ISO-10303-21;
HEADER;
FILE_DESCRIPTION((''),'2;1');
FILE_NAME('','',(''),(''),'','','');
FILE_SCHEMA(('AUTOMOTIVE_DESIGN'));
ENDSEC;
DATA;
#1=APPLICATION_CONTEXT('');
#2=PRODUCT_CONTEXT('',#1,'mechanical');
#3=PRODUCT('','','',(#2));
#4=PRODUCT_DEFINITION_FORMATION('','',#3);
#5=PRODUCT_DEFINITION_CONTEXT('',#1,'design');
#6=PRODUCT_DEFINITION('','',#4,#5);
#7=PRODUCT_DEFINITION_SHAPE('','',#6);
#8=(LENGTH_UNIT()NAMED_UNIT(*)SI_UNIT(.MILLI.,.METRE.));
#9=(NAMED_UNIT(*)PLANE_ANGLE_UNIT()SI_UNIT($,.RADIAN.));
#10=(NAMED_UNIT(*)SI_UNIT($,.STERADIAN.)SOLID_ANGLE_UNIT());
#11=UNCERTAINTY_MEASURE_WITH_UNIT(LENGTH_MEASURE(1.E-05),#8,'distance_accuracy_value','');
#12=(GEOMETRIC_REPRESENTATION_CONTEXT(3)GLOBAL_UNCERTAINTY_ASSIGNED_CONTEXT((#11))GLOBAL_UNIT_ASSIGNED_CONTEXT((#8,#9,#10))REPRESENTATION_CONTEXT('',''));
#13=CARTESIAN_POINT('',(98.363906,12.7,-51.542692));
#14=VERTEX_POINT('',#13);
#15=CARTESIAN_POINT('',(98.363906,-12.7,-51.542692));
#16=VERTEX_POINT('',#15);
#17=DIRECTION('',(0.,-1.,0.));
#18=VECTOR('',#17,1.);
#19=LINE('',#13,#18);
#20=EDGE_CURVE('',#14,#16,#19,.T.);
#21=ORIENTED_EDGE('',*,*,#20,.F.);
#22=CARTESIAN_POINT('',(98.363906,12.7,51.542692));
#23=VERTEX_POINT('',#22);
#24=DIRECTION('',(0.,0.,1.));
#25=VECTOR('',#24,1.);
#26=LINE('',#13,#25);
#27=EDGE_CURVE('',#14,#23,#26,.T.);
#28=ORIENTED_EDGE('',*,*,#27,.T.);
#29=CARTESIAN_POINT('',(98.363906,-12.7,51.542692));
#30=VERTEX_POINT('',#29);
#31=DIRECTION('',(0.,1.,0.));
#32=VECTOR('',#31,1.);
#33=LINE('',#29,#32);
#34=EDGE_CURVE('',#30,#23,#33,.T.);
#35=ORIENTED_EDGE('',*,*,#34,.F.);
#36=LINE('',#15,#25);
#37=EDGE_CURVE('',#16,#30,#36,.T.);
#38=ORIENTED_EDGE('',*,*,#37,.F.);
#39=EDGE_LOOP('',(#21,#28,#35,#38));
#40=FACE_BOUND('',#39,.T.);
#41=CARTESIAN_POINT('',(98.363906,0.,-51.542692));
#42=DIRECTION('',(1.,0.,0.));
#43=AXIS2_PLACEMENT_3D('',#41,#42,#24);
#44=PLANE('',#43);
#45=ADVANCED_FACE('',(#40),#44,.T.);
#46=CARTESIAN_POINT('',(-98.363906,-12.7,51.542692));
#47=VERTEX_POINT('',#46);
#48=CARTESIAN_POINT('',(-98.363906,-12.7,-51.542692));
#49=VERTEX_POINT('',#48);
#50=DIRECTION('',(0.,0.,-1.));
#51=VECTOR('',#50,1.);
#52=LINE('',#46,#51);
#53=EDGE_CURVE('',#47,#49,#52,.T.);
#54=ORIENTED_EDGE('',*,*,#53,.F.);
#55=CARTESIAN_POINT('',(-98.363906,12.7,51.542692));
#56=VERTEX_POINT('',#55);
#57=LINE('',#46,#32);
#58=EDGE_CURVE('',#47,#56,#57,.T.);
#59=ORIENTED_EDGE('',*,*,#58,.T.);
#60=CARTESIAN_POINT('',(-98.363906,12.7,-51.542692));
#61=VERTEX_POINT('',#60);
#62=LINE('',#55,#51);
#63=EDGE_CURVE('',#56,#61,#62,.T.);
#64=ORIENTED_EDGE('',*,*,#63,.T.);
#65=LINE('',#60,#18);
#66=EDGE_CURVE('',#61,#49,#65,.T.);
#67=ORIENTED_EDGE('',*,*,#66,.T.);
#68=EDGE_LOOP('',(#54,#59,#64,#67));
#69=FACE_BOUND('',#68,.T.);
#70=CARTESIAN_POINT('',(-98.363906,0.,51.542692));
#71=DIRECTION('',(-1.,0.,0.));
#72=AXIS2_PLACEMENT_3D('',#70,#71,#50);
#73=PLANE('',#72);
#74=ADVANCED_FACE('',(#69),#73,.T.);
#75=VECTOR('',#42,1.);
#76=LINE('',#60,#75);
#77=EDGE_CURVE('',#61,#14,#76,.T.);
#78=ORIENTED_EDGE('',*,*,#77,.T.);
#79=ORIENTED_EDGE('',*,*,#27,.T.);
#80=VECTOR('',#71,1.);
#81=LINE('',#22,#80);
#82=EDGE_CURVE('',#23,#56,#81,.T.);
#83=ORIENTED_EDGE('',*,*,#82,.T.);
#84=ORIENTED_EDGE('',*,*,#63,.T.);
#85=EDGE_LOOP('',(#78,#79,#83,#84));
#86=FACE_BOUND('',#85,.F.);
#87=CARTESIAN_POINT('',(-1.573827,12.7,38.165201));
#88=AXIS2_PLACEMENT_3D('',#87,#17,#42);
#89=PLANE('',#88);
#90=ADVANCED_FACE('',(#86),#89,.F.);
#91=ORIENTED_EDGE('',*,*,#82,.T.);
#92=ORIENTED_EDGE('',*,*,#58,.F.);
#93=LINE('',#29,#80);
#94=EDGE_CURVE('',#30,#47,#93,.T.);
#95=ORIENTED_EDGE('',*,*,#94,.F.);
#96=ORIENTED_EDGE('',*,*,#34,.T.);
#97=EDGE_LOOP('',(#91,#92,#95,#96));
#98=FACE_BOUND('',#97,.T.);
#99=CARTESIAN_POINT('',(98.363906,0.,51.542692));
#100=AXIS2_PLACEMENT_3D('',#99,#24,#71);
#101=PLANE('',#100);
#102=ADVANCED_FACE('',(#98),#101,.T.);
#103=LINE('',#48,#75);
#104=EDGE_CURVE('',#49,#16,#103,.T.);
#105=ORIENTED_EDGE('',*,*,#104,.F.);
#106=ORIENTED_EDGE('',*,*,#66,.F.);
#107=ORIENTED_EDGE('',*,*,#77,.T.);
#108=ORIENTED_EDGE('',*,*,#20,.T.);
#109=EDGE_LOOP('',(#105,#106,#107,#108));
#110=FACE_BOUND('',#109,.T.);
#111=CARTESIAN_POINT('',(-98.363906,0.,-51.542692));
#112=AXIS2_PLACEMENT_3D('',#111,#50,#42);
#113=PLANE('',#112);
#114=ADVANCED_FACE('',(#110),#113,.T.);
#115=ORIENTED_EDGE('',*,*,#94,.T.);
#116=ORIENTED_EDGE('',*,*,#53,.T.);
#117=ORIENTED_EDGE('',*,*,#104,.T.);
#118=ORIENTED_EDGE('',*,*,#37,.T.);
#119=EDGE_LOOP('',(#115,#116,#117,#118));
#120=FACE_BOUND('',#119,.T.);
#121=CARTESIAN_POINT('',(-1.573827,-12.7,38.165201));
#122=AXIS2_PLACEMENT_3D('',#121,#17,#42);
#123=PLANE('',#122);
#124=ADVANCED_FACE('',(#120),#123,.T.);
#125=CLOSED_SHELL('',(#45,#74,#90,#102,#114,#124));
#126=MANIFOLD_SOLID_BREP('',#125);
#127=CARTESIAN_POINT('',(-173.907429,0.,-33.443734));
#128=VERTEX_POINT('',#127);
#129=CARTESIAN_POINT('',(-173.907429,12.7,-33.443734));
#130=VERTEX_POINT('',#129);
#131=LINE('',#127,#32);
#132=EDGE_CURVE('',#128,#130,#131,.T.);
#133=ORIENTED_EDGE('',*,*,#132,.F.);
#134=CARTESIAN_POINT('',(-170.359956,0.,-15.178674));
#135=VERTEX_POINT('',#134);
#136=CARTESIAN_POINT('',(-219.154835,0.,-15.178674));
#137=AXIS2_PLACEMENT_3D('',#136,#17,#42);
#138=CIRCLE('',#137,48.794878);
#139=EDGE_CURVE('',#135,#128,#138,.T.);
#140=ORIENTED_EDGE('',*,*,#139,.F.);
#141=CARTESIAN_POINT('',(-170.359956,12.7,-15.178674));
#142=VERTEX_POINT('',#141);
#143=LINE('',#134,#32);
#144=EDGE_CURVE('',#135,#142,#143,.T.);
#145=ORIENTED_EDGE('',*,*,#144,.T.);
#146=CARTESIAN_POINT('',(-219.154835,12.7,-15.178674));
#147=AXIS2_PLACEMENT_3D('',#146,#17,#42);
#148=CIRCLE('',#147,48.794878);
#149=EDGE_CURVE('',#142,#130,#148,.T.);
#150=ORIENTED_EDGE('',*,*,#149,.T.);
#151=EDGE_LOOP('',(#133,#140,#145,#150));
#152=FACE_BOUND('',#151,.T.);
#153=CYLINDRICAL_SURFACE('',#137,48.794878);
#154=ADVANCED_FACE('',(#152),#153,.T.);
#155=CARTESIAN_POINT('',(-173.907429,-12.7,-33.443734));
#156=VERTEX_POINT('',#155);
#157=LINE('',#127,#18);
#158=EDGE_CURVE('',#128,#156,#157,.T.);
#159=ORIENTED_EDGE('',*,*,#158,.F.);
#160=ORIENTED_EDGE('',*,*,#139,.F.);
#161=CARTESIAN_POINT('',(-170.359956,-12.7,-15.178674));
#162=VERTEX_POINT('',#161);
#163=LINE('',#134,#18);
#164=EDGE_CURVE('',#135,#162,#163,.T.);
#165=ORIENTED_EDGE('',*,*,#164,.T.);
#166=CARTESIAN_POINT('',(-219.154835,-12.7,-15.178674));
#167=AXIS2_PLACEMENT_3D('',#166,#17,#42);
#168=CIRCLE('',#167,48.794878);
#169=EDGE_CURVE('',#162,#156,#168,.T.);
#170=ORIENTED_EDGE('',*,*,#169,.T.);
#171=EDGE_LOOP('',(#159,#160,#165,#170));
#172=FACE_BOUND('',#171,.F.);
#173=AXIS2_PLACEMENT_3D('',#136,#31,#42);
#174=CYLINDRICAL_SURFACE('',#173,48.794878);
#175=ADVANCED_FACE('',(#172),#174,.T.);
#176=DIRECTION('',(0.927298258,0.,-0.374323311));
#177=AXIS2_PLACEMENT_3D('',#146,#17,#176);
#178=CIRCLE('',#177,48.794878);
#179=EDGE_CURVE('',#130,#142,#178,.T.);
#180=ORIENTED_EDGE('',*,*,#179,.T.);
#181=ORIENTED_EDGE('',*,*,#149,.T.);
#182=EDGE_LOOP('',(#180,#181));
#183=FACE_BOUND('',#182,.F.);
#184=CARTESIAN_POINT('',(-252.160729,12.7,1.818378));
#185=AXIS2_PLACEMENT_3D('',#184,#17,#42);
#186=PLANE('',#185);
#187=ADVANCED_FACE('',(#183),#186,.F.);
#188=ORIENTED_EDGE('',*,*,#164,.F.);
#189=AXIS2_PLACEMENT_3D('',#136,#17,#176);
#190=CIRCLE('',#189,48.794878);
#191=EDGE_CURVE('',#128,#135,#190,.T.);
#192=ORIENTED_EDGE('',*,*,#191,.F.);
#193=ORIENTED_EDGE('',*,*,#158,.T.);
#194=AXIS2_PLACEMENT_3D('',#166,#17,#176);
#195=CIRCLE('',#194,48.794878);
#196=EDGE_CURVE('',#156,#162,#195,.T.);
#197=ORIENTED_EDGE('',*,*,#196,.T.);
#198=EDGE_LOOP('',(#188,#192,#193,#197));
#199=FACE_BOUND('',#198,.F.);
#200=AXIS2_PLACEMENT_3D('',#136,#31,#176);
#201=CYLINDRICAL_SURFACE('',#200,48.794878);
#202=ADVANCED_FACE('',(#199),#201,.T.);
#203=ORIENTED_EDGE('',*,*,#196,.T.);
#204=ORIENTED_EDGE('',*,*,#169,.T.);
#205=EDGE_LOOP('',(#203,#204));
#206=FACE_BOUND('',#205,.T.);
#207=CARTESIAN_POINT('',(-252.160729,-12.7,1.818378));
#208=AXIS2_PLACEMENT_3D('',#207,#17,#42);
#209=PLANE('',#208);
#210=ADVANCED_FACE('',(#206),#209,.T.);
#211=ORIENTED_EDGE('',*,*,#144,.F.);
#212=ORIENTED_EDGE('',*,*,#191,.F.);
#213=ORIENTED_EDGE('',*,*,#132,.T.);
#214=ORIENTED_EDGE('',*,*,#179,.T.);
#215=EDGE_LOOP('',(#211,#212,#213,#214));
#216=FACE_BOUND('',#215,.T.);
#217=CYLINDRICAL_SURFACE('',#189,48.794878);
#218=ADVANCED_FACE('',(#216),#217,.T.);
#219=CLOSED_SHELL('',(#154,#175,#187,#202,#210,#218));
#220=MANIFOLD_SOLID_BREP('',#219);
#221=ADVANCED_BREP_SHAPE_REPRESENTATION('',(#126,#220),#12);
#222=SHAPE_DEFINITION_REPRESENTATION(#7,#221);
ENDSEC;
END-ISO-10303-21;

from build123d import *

# Parameters (mm, degrees)
F0_W     = 136.9225755334
F0_H     = 26.7549809068
F0_W_2   = 28.3287912607
F0_H_2   = 50.3623280674
F0_W_3   = 31.4764454961
F0_H_3   = 25.9680747986
F1_DEPTH = 12.7


with BuildPart() as f1:
    # F0 (on Front) → F1 (new body, symmetric)
    with BuildSketch(Plane.XZ):
        with Locations((-1.5738271177, 38.165201433)):
            Rectangle(F0_W, F0_H)
        with Locations((-84.1995105147, 38.165201433)):
            Rectangle(F0_W_2, F0_H)
        with Locations((-84.1995105147, -0.3934530541)):
            Rectangle(F0_W_2, F0_H_2)
        with Locations((-1.5738271177, -0.3934530541)):
            Rectangle(F0_W, F0_H_2)
        with Locations((82.6256833971, 38.165201433)):
            Rectangle(F0_W_3, F0_H)
        with Locations((82.6256833971, -0.3934530541)):
            Rectangle(F0_W_3, F0_H_2)
        with Locations((82.6256833971, -38.5586544871)):
            Rectangle(F0_W_3, F0_H_3)
        with Locations((-1.5738271177, -38.5586544871)):
            Rectangle(F0_W, F0_H_3)
        with Locations((-84.1995105147, -38.5586544871)):
            Rectangle(F0_W_2, F0_H_3)
    extrude(amount=F1_DEPTH, both=True)


with BuildPart() as f1b:
    # F0 (on Front) → F1, piece 2 (new body, symmetric)
    with BuildSketch(Plane.XZ):
        with BuildLine():
            ThreePointArc((-230.5650413036, 32.2633683681), (-262.5354419998, 7.1610460712), (-264.4022405148, -33.4437340498))
            Line((-264.4022405148, -33.4437340498), (-230.5650413036, 32.2633683681))
        make_face()
        with BuildLine():
            ThreePointArc((-170.359956314, -15.1786736164), (-188.9540026437, 23.1469040253), (-230.5650413036, 32.2633683681))
            Line((-230.5650413036, 32.2633683681), (-173.9074289799, -33.4437340498))
            ThreePointArc((-173.9074289799, -33.4437340498), (-171.2550339901, -24.481858487), (-170.359956314, -15.1786736164))
        make_face()
        Polygon((-230.5650413036, 32.2633683681), (-264.4022405148, -33.4437340498), (-173.9074289799, -33.4437340498), align=None)
        with BuildLine():
            Line((-173.9074289799, -33.4437340498), (-264.4022405148, -33.4437340498))
            ThreePointArc((-264.4022405148, -33.4437340498), (-219.1548347473, -63.9735520497), (-173.9074289799, -33.4437340498))
        make_face()
    extrude(amount=F1_DEPTH, both=True)


solid = Compound([f1.part, f1b.part])
